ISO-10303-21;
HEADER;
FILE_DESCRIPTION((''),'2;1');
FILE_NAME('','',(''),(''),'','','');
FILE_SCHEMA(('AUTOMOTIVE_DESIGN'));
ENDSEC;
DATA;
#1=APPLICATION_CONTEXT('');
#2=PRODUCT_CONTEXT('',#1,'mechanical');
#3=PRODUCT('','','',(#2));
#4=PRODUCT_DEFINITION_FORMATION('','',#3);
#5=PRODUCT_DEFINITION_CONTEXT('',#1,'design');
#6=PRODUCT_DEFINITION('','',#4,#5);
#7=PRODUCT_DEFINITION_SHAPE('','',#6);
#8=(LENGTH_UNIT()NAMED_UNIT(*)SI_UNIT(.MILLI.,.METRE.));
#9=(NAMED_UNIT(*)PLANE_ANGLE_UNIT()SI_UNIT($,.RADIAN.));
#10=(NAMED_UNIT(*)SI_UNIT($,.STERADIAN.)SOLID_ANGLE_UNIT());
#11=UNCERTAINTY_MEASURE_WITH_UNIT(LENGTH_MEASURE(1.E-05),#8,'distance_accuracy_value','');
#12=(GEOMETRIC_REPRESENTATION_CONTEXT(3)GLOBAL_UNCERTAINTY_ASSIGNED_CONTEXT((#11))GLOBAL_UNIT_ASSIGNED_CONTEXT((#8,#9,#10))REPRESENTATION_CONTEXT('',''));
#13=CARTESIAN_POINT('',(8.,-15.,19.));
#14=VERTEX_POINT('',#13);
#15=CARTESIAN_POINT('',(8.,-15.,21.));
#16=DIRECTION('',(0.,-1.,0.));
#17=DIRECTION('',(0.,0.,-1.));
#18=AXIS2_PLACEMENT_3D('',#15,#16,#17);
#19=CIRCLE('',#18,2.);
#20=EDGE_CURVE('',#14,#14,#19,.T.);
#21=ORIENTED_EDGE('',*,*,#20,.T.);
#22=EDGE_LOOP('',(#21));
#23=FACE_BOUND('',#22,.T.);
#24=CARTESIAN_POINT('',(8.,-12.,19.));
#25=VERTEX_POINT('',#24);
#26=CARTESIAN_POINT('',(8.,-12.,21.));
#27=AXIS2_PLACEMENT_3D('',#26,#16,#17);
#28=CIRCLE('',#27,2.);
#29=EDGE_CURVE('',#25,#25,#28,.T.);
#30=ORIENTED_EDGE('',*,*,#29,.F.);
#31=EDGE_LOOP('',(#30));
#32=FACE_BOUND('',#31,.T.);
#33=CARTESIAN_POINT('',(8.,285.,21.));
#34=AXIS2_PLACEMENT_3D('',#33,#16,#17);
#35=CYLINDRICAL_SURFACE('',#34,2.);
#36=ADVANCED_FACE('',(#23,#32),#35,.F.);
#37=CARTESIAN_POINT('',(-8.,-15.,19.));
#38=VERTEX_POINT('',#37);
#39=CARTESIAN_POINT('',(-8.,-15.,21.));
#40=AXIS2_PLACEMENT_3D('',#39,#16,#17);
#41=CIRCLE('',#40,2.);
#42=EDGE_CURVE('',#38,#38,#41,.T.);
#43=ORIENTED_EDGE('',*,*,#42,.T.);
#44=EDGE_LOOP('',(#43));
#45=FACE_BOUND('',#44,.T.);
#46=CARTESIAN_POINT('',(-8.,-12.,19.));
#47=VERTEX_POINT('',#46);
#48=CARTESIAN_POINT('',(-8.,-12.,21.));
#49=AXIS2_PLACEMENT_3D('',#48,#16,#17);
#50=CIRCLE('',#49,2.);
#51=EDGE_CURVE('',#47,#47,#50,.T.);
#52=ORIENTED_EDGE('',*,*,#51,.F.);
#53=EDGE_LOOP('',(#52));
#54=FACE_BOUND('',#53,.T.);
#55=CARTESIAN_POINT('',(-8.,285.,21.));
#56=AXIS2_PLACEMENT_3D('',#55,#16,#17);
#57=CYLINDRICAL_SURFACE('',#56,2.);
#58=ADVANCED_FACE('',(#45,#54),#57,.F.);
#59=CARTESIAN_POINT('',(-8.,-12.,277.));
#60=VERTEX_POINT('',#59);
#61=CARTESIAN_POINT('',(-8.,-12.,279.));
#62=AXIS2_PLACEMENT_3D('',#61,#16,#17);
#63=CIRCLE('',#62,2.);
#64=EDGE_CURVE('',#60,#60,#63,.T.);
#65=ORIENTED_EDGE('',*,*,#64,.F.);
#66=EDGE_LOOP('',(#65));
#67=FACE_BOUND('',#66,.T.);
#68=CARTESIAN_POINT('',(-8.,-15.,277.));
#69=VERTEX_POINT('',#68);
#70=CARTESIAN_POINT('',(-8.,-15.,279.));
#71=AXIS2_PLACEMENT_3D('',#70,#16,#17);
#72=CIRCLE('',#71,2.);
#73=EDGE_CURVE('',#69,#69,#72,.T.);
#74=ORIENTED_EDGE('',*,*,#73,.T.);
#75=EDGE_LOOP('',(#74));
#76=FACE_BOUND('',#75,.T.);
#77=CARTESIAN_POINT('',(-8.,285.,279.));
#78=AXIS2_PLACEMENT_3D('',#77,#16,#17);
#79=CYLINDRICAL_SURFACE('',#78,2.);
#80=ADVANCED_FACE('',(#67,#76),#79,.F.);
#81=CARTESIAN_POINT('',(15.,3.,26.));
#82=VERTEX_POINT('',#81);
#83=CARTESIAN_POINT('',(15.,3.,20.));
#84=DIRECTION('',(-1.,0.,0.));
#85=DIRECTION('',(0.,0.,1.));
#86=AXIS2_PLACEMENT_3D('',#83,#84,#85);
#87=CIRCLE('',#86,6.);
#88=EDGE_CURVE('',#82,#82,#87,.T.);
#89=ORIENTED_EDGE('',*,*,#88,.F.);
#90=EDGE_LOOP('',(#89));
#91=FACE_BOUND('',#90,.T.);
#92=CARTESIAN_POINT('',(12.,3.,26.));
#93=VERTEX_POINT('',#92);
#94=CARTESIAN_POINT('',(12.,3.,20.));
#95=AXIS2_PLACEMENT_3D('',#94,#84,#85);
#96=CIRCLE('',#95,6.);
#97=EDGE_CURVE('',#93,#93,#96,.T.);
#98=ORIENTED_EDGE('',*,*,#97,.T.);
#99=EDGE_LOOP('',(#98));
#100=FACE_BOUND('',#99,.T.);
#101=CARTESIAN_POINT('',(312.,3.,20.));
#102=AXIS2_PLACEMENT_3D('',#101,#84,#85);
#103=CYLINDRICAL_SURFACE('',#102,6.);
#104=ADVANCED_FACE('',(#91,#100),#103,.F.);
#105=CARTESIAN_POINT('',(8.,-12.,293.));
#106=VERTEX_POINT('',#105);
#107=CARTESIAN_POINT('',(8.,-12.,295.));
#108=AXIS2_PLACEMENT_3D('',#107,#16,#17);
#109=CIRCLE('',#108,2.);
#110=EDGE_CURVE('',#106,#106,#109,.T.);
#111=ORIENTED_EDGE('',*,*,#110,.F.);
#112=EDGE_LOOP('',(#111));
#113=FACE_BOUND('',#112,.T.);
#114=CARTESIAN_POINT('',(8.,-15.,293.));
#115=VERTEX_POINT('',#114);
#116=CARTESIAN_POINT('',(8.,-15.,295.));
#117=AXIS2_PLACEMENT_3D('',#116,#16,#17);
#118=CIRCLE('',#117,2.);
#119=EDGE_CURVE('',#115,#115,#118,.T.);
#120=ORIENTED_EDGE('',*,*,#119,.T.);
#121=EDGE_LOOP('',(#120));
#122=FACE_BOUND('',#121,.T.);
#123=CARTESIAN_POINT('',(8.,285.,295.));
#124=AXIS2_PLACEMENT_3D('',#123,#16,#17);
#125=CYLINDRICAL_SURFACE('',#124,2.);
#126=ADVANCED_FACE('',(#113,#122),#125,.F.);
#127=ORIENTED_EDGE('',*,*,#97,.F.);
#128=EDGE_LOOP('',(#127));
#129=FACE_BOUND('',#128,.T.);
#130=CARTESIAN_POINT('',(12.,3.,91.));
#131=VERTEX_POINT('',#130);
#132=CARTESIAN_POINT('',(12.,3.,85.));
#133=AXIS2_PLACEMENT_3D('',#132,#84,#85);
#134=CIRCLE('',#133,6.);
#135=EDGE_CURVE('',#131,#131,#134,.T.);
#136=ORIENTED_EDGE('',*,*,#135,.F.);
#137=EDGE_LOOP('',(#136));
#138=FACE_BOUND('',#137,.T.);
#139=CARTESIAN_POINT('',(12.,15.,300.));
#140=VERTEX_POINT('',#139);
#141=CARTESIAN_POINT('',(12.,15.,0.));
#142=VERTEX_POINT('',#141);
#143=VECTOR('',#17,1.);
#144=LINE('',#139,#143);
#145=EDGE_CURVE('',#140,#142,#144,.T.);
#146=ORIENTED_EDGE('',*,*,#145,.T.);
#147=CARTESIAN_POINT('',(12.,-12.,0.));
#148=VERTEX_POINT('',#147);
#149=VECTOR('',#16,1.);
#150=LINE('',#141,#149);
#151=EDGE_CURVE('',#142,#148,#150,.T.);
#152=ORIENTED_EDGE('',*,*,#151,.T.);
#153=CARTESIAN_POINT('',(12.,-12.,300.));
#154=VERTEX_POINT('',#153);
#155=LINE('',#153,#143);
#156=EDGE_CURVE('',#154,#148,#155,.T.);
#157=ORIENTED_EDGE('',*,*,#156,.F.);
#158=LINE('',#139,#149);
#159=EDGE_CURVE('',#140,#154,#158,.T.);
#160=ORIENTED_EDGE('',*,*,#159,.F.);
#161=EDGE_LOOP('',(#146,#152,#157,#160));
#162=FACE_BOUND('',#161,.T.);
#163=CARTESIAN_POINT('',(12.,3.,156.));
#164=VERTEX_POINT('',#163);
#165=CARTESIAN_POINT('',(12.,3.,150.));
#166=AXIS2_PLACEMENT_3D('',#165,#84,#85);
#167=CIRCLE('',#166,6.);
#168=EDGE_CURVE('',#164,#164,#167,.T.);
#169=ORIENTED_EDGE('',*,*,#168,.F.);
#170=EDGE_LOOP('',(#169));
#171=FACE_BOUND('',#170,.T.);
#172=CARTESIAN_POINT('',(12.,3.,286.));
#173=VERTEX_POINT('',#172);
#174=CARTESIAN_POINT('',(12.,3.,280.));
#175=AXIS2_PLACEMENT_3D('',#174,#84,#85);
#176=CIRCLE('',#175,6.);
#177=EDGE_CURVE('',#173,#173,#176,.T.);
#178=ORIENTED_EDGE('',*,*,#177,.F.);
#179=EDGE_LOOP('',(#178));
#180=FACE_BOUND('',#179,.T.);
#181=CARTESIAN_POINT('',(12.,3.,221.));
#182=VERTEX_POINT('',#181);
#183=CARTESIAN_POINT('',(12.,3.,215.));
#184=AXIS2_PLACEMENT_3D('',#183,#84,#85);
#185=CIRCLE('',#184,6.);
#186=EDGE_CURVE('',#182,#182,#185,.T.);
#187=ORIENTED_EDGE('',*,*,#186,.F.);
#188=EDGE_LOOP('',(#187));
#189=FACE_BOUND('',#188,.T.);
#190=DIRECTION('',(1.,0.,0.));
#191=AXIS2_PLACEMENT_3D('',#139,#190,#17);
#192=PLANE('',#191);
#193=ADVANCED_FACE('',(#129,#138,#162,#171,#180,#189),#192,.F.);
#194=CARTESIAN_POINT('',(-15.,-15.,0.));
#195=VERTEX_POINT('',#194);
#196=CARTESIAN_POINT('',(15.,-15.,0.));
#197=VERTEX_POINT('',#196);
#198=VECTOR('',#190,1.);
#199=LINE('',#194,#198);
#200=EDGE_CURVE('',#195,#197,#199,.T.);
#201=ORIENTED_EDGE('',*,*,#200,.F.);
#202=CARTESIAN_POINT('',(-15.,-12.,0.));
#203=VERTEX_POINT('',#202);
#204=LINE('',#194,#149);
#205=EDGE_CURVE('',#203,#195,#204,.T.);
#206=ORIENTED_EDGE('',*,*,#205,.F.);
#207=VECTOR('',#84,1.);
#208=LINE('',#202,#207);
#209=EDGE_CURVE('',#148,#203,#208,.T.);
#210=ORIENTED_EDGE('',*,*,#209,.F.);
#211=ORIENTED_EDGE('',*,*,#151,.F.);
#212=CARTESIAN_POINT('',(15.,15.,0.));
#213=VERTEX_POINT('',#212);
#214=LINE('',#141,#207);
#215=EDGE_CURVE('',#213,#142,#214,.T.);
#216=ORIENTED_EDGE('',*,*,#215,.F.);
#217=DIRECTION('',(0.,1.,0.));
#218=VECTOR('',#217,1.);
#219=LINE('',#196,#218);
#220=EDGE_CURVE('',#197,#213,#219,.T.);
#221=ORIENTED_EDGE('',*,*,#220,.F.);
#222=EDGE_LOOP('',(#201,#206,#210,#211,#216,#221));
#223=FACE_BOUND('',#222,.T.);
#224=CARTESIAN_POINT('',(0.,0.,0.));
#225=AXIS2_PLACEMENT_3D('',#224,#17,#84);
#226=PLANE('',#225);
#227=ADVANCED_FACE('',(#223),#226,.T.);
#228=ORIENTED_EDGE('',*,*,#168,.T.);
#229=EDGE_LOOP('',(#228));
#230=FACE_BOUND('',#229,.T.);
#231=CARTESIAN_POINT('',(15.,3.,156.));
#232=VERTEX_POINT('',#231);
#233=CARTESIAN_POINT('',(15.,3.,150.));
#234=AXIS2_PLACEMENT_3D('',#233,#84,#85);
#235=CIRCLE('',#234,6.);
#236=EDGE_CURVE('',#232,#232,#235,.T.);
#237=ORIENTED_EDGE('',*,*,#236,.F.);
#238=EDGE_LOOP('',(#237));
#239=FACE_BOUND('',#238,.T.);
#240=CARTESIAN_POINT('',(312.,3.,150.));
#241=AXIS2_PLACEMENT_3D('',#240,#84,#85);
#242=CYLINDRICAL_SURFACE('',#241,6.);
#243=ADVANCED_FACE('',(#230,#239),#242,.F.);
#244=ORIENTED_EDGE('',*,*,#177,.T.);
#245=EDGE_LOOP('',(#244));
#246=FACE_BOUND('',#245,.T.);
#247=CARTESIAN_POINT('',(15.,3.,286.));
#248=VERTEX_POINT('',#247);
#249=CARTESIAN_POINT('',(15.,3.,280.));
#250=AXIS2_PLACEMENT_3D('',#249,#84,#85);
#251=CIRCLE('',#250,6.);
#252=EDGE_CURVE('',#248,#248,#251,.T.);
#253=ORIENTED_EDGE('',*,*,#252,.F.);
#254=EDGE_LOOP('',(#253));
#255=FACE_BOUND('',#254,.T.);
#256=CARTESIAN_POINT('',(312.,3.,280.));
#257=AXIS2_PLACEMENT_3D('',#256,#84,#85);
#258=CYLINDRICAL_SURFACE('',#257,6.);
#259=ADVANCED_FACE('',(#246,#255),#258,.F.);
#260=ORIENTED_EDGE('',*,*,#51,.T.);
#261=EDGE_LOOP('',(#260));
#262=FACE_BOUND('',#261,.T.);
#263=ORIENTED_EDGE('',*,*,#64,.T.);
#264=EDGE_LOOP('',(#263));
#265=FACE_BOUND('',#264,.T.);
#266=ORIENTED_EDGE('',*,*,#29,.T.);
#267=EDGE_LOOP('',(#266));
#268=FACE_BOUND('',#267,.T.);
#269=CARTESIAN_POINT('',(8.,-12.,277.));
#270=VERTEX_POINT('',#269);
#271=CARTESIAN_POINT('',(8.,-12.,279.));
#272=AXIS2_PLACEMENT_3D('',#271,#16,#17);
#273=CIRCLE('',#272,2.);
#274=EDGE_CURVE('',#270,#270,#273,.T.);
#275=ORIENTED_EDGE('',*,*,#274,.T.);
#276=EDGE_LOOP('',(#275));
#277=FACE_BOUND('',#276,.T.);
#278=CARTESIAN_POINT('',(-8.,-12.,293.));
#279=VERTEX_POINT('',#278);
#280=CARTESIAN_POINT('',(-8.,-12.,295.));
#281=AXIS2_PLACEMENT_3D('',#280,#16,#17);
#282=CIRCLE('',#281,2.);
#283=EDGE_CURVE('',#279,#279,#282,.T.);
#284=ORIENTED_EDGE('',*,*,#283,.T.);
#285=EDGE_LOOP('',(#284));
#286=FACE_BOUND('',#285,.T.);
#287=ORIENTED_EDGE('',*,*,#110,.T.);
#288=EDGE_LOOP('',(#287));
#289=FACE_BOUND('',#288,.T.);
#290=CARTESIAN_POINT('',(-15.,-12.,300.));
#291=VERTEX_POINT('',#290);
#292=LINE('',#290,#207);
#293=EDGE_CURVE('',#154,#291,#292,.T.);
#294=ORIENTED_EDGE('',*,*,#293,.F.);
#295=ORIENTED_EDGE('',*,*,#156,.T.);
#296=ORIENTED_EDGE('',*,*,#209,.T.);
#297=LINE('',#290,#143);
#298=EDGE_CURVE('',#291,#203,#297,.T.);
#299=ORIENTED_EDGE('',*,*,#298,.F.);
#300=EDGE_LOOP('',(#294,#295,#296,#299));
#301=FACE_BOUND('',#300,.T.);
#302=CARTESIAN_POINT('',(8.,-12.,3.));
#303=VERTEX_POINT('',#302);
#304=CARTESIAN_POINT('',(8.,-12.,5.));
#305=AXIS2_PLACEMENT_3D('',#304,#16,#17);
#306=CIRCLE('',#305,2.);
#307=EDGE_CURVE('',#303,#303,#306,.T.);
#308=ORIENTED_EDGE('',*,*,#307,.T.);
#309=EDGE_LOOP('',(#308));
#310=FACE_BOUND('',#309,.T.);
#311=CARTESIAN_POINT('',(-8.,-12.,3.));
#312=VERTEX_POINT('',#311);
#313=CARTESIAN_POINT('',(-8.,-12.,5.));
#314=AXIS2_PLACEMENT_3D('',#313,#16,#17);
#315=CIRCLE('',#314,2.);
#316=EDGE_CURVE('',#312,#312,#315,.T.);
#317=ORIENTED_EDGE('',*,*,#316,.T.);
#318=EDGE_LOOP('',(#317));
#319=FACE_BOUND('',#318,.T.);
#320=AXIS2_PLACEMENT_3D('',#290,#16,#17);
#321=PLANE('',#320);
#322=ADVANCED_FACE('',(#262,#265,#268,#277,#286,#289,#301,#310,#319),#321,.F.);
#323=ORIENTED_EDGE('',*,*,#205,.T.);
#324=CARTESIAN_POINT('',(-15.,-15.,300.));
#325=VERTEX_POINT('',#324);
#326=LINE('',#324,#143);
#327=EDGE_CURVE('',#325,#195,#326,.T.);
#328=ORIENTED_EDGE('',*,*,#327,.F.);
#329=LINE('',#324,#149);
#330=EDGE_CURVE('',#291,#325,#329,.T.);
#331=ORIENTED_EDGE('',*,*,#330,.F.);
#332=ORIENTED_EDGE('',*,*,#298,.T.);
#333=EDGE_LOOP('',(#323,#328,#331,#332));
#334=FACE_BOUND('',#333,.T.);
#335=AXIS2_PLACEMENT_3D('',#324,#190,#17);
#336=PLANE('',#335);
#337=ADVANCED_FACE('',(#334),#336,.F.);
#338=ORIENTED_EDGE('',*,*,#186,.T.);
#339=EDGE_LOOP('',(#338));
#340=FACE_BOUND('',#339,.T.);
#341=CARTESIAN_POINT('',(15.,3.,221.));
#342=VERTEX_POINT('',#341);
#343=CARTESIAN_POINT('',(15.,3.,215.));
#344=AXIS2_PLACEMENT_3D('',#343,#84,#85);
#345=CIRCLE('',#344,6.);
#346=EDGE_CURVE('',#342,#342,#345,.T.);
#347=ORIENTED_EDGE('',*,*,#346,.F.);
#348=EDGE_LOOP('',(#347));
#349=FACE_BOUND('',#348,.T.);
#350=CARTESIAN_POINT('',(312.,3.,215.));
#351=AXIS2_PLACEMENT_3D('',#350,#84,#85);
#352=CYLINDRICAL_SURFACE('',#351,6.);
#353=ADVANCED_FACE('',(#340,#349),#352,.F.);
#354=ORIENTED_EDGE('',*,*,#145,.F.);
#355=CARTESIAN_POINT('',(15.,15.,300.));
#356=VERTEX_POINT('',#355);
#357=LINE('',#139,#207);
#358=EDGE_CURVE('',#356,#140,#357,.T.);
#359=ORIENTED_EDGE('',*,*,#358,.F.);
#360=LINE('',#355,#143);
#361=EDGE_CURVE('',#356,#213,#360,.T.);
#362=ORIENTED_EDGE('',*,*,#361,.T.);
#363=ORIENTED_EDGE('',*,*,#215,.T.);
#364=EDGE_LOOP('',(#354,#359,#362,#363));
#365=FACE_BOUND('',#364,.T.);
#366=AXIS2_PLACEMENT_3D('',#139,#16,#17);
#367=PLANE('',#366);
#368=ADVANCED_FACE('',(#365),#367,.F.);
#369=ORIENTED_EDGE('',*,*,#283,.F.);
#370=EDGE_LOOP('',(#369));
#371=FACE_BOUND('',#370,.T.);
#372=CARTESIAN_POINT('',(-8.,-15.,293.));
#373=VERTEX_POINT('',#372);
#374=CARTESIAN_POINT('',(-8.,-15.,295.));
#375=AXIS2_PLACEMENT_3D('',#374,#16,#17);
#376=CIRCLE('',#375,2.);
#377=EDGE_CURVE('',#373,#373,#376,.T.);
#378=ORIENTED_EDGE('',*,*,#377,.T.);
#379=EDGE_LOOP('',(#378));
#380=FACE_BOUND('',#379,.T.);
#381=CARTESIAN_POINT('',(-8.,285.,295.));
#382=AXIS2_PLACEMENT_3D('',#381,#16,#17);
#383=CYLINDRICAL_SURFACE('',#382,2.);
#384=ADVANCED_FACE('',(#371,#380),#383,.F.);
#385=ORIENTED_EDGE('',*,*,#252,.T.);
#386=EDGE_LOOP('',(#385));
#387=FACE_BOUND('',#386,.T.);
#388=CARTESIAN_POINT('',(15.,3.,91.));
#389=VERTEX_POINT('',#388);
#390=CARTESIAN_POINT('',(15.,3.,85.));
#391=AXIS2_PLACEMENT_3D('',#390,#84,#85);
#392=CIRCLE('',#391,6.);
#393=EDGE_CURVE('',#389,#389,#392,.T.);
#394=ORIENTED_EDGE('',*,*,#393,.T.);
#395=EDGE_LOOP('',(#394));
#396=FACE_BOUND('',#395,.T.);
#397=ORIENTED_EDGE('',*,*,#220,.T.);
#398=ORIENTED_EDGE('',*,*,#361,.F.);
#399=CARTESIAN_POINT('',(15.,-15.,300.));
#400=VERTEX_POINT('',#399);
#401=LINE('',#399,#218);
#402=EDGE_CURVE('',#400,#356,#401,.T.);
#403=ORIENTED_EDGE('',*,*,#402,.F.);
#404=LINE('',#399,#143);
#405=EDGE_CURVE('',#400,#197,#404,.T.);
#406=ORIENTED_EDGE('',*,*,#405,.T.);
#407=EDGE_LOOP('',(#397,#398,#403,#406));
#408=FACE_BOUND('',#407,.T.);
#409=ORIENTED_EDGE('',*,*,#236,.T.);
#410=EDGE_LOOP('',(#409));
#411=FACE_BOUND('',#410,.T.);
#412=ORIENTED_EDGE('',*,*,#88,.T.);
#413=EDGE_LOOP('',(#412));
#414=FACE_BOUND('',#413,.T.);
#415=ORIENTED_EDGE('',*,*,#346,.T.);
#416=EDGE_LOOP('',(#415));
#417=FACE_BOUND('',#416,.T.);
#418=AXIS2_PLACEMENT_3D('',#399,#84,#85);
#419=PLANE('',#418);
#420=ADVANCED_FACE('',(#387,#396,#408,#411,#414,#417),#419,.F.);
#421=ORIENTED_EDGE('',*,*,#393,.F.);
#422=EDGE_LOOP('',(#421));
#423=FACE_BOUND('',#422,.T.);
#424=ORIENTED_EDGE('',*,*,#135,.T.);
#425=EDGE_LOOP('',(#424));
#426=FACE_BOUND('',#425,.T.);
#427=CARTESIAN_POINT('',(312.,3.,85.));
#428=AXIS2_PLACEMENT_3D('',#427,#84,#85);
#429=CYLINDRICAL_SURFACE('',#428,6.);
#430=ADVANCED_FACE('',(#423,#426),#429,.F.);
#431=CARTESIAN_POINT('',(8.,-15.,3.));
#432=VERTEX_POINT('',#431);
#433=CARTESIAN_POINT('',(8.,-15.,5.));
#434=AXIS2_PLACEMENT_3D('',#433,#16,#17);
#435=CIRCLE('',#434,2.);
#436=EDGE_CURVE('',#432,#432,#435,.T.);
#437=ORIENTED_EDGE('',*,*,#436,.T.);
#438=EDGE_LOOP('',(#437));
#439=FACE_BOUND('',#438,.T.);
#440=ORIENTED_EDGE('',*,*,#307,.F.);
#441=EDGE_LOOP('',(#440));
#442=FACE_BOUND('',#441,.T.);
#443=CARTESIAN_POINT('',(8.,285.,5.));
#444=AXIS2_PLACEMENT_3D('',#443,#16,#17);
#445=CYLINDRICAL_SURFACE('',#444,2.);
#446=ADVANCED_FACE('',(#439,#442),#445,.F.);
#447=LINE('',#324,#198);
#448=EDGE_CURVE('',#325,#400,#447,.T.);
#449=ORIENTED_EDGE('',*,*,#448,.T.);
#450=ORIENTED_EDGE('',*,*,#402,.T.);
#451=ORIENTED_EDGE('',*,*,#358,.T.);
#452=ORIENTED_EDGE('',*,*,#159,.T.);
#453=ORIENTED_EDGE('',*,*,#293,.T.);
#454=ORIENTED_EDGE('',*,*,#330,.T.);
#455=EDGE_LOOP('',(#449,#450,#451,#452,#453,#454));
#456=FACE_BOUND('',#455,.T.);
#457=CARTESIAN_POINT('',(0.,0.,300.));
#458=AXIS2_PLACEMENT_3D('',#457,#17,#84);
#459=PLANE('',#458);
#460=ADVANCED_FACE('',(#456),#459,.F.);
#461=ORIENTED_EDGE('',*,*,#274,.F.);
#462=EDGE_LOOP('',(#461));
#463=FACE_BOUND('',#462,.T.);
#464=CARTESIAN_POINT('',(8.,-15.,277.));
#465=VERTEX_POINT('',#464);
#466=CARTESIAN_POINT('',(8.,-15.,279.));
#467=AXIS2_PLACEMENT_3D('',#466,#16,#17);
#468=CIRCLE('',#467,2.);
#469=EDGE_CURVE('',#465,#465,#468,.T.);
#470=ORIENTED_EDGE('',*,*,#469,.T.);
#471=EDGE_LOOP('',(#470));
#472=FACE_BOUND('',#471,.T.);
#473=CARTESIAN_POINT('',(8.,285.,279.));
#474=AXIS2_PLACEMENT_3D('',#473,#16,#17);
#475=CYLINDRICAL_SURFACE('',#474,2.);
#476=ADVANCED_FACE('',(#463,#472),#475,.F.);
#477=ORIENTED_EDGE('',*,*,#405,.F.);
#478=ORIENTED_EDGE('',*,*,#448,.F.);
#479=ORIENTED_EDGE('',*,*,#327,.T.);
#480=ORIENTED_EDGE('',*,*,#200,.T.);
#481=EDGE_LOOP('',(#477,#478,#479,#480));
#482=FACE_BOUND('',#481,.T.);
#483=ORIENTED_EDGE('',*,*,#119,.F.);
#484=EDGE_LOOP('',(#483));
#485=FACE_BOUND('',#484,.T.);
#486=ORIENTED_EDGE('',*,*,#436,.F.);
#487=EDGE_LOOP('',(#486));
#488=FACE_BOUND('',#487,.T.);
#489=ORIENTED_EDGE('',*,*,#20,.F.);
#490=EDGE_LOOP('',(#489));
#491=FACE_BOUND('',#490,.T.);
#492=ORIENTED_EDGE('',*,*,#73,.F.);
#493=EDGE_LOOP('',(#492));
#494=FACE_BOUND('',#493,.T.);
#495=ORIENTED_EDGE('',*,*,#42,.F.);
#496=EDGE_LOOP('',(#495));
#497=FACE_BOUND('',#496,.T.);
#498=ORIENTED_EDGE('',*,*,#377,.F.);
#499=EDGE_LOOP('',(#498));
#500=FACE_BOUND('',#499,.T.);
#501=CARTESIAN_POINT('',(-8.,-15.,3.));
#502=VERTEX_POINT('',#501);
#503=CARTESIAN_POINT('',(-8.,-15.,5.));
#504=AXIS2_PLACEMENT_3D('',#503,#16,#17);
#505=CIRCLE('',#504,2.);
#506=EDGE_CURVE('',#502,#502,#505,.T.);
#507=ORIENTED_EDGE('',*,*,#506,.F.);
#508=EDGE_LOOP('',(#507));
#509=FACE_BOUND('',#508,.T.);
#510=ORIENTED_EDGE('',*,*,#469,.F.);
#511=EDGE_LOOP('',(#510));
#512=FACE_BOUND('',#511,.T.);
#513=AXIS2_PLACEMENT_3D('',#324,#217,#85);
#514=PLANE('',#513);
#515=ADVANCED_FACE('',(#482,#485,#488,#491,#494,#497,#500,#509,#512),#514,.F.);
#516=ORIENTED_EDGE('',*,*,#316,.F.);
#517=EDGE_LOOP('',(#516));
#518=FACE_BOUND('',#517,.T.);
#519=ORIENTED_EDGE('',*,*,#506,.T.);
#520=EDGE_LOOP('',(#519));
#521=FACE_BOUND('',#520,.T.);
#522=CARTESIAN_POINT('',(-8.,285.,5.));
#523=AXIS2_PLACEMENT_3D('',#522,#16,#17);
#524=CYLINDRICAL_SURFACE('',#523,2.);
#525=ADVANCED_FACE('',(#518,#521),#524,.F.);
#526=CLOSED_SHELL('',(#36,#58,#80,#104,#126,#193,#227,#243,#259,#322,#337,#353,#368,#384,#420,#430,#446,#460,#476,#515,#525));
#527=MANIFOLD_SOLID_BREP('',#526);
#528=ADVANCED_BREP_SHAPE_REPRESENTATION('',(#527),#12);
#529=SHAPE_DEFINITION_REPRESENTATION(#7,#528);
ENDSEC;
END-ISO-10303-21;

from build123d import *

# Parameters (mm, degrees)
EXTRUDE_1_DEPTH     = 300
SKETCH_2_R          = 6
CUT_EXTRUDE_1_DEPTH = 300
SKETCH_3_R          = 2
CUT_EXTRUDE_2_DEPTH = 300


with BuildPart() as part:
    # 草图1 → 凸台-拉伸1 (new body)
    with BuildSketch(Plane.XY):
        Polygon((-15, -15), (15, -15), (15, 15), (12, 15), (12, -12), (-15, -12), align=None)
    extrude(amount=EXTRUDE_1_DEPTH)

    # 草图2 → 切除-拉伸1 (cut)
    with BuildSketch(Plane.ZY.offset(-12)):
        with Locations((20, 3)):
            Circle(SKETCH_2_R)
        with Locations((85, 3)):
            Circle(SKETCH_2_R)
        with Locations((150, 3)):
            Circle(SKETCH_2_R)
        with Locations((215, 3)):
            Circle(SKETCH_2_R)
        with Locations((280, 3)):
            Circle(SKETCH_2_R)
    extrude(amount=-CUT_EXTRUDE_1_DEPTH, mode=Mode.SUBTRACT)

    # 草图3 → 切除-拉伸2 (cut)
    with BuildSketch(Plane.XZ.offset(15)):
        with Locations(Location((-8, 295, 0), (0, 0, 270))):
            Circle(SKETCH_3_R)
        with Locations(Location((-8, 279, 0), (0, 0, 270))):
            Circle(SKETCH_3_R)
        with Locations(Location((8, 279, 0), (0, 0, 270))):
            Circle(SKETCH_3_R)
        with Locations(Location((8, 295, 0), (0, 0, 270))):
            Circle(SKETCH_3_R)
        with Locations(Location((-8, 21, 0), (0, 0, 270))):
            Circle(SKETCH_3_R)
        with Locations(Location((-8, 5, 0), (0, 0, 270))):
            Circle(SKETCH_3_R)
        with Locations(Location((8, 5, 0), (0, 0, 270))):
            Circle(SKETCH_3_R)
        with Locations(Location((8, 21, 0), (0, 0, 270))):
            Circle(SKETCH_3_R)
    extrude(amount=-CUT_EXTRUDE_2_DEPTH, mode=Mode.SUBTRACT)


solid = part.part
